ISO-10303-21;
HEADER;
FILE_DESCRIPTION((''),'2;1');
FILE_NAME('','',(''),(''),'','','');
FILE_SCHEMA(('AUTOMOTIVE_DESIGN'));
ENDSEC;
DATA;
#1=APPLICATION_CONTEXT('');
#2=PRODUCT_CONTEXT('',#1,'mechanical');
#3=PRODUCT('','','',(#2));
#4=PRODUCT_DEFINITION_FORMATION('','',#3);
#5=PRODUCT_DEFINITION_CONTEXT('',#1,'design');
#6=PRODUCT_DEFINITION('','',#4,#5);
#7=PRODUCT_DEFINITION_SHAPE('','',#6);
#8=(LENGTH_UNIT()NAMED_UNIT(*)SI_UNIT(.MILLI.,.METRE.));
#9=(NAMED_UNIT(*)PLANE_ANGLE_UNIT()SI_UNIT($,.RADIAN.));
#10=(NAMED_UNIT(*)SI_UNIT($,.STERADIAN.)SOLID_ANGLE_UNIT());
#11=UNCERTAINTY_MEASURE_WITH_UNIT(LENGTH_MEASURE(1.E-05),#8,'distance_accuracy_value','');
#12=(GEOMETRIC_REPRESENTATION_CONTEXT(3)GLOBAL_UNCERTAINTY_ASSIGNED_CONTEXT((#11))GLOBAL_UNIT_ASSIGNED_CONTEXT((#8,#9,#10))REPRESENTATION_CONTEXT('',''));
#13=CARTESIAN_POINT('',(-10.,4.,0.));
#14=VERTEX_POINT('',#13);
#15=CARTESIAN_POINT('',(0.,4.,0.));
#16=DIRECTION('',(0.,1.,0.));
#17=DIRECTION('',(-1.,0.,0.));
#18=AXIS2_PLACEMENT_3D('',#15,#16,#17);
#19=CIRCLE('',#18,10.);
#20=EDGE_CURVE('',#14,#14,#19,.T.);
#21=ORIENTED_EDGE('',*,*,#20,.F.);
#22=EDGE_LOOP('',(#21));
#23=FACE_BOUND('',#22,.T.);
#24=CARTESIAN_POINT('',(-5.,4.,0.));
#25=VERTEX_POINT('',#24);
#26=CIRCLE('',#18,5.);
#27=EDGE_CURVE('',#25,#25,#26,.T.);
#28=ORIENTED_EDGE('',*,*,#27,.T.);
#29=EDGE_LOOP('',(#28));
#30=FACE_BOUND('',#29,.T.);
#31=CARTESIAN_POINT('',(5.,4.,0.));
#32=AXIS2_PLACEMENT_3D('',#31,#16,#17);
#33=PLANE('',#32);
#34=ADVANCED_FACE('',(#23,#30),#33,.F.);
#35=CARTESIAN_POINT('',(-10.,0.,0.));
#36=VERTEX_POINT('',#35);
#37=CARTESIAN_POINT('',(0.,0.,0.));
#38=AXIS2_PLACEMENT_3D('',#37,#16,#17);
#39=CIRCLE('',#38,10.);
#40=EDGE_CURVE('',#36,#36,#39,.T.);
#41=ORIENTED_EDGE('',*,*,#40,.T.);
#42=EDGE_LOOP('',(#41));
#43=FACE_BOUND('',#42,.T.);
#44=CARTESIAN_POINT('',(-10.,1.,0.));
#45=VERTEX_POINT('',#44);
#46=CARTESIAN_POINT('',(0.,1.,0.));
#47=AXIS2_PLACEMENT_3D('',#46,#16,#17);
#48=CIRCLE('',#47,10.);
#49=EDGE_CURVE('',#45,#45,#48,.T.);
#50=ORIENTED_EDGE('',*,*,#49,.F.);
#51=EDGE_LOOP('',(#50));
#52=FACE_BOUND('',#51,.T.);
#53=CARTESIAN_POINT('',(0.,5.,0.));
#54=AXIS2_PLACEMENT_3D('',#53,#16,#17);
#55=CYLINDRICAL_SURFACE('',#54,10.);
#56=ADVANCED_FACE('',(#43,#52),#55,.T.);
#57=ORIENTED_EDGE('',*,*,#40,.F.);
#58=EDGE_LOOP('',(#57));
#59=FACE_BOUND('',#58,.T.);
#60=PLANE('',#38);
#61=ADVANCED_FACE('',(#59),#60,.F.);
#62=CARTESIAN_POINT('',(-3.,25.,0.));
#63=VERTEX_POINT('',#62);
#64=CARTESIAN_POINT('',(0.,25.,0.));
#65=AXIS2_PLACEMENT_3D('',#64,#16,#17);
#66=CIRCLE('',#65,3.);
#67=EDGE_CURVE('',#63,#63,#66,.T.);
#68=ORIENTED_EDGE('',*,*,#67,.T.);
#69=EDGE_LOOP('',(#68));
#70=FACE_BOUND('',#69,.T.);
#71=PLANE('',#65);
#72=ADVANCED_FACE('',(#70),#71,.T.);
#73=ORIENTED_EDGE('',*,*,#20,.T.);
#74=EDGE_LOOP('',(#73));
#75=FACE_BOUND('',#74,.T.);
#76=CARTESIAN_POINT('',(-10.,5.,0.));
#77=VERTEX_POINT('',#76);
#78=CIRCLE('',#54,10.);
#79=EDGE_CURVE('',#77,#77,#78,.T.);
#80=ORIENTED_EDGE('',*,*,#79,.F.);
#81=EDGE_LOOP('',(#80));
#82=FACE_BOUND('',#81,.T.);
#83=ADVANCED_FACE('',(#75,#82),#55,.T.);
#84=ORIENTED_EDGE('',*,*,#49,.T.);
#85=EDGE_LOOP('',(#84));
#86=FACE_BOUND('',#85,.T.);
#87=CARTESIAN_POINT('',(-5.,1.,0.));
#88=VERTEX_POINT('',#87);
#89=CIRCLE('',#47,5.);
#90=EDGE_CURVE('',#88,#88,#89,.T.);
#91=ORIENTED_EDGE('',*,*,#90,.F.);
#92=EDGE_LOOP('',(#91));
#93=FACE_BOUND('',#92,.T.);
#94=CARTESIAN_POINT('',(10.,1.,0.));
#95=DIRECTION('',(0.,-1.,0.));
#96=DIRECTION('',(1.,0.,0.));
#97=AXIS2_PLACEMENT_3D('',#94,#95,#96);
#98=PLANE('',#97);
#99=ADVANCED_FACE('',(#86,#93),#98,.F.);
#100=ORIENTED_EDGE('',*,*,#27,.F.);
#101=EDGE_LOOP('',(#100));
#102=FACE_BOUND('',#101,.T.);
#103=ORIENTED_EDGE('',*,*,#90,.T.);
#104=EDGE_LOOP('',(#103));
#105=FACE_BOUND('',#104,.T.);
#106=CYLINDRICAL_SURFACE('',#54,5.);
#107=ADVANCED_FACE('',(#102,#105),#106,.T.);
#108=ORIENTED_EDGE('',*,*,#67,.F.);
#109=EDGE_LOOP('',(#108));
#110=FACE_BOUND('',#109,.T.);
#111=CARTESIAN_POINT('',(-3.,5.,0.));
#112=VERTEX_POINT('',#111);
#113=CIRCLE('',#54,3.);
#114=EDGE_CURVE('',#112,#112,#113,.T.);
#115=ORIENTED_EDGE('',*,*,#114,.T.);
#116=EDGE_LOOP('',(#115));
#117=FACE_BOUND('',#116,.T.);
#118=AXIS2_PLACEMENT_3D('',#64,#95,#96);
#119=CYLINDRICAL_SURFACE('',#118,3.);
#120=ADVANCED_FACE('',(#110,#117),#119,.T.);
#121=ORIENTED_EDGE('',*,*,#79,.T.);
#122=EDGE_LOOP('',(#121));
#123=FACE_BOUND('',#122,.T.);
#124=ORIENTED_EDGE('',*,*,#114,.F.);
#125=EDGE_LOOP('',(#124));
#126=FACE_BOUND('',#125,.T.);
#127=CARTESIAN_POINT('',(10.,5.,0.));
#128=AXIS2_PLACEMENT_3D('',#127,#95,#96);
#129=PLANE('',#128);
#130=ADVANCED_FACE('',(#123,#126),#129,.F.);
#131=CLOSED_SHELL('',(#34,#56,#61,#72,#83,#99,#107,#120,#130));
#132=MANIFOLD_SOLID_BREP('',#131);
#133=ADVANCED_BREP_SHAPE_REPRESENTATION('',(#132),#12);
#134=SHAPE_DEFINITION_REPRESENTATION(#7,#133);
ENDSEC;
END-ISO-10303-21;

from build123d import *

# Parameters (mm, degrees)
SKETCH2_R           = 3
BOSS_EXTRUDE1_DEPTH = 20


with BuildPart() as part:
    # Sketch1 → Revolve1 (revolve)
    with BuildSketch(Plane.XY):
        Polygon((0, 0), (10, 0), (10, 1), (5, 1), (5, 4), (10, 4), (10, 5), (0, 5), align=None)
    revolve(axis=Axis((0, 5, 0), (0, -1, 0)))

    # Sketch2 → Boss-Extrude1 (add)
    with BuildSketch(Plane(origin=(0, 5, 0), x_dir=(1, 0, 0), z_dir=(0, 1, 0))):
        Circle(SKETCH2_R)
    extrude(amount=BOSS_EXTRUDE1_DEPTH)


solid = part.part
